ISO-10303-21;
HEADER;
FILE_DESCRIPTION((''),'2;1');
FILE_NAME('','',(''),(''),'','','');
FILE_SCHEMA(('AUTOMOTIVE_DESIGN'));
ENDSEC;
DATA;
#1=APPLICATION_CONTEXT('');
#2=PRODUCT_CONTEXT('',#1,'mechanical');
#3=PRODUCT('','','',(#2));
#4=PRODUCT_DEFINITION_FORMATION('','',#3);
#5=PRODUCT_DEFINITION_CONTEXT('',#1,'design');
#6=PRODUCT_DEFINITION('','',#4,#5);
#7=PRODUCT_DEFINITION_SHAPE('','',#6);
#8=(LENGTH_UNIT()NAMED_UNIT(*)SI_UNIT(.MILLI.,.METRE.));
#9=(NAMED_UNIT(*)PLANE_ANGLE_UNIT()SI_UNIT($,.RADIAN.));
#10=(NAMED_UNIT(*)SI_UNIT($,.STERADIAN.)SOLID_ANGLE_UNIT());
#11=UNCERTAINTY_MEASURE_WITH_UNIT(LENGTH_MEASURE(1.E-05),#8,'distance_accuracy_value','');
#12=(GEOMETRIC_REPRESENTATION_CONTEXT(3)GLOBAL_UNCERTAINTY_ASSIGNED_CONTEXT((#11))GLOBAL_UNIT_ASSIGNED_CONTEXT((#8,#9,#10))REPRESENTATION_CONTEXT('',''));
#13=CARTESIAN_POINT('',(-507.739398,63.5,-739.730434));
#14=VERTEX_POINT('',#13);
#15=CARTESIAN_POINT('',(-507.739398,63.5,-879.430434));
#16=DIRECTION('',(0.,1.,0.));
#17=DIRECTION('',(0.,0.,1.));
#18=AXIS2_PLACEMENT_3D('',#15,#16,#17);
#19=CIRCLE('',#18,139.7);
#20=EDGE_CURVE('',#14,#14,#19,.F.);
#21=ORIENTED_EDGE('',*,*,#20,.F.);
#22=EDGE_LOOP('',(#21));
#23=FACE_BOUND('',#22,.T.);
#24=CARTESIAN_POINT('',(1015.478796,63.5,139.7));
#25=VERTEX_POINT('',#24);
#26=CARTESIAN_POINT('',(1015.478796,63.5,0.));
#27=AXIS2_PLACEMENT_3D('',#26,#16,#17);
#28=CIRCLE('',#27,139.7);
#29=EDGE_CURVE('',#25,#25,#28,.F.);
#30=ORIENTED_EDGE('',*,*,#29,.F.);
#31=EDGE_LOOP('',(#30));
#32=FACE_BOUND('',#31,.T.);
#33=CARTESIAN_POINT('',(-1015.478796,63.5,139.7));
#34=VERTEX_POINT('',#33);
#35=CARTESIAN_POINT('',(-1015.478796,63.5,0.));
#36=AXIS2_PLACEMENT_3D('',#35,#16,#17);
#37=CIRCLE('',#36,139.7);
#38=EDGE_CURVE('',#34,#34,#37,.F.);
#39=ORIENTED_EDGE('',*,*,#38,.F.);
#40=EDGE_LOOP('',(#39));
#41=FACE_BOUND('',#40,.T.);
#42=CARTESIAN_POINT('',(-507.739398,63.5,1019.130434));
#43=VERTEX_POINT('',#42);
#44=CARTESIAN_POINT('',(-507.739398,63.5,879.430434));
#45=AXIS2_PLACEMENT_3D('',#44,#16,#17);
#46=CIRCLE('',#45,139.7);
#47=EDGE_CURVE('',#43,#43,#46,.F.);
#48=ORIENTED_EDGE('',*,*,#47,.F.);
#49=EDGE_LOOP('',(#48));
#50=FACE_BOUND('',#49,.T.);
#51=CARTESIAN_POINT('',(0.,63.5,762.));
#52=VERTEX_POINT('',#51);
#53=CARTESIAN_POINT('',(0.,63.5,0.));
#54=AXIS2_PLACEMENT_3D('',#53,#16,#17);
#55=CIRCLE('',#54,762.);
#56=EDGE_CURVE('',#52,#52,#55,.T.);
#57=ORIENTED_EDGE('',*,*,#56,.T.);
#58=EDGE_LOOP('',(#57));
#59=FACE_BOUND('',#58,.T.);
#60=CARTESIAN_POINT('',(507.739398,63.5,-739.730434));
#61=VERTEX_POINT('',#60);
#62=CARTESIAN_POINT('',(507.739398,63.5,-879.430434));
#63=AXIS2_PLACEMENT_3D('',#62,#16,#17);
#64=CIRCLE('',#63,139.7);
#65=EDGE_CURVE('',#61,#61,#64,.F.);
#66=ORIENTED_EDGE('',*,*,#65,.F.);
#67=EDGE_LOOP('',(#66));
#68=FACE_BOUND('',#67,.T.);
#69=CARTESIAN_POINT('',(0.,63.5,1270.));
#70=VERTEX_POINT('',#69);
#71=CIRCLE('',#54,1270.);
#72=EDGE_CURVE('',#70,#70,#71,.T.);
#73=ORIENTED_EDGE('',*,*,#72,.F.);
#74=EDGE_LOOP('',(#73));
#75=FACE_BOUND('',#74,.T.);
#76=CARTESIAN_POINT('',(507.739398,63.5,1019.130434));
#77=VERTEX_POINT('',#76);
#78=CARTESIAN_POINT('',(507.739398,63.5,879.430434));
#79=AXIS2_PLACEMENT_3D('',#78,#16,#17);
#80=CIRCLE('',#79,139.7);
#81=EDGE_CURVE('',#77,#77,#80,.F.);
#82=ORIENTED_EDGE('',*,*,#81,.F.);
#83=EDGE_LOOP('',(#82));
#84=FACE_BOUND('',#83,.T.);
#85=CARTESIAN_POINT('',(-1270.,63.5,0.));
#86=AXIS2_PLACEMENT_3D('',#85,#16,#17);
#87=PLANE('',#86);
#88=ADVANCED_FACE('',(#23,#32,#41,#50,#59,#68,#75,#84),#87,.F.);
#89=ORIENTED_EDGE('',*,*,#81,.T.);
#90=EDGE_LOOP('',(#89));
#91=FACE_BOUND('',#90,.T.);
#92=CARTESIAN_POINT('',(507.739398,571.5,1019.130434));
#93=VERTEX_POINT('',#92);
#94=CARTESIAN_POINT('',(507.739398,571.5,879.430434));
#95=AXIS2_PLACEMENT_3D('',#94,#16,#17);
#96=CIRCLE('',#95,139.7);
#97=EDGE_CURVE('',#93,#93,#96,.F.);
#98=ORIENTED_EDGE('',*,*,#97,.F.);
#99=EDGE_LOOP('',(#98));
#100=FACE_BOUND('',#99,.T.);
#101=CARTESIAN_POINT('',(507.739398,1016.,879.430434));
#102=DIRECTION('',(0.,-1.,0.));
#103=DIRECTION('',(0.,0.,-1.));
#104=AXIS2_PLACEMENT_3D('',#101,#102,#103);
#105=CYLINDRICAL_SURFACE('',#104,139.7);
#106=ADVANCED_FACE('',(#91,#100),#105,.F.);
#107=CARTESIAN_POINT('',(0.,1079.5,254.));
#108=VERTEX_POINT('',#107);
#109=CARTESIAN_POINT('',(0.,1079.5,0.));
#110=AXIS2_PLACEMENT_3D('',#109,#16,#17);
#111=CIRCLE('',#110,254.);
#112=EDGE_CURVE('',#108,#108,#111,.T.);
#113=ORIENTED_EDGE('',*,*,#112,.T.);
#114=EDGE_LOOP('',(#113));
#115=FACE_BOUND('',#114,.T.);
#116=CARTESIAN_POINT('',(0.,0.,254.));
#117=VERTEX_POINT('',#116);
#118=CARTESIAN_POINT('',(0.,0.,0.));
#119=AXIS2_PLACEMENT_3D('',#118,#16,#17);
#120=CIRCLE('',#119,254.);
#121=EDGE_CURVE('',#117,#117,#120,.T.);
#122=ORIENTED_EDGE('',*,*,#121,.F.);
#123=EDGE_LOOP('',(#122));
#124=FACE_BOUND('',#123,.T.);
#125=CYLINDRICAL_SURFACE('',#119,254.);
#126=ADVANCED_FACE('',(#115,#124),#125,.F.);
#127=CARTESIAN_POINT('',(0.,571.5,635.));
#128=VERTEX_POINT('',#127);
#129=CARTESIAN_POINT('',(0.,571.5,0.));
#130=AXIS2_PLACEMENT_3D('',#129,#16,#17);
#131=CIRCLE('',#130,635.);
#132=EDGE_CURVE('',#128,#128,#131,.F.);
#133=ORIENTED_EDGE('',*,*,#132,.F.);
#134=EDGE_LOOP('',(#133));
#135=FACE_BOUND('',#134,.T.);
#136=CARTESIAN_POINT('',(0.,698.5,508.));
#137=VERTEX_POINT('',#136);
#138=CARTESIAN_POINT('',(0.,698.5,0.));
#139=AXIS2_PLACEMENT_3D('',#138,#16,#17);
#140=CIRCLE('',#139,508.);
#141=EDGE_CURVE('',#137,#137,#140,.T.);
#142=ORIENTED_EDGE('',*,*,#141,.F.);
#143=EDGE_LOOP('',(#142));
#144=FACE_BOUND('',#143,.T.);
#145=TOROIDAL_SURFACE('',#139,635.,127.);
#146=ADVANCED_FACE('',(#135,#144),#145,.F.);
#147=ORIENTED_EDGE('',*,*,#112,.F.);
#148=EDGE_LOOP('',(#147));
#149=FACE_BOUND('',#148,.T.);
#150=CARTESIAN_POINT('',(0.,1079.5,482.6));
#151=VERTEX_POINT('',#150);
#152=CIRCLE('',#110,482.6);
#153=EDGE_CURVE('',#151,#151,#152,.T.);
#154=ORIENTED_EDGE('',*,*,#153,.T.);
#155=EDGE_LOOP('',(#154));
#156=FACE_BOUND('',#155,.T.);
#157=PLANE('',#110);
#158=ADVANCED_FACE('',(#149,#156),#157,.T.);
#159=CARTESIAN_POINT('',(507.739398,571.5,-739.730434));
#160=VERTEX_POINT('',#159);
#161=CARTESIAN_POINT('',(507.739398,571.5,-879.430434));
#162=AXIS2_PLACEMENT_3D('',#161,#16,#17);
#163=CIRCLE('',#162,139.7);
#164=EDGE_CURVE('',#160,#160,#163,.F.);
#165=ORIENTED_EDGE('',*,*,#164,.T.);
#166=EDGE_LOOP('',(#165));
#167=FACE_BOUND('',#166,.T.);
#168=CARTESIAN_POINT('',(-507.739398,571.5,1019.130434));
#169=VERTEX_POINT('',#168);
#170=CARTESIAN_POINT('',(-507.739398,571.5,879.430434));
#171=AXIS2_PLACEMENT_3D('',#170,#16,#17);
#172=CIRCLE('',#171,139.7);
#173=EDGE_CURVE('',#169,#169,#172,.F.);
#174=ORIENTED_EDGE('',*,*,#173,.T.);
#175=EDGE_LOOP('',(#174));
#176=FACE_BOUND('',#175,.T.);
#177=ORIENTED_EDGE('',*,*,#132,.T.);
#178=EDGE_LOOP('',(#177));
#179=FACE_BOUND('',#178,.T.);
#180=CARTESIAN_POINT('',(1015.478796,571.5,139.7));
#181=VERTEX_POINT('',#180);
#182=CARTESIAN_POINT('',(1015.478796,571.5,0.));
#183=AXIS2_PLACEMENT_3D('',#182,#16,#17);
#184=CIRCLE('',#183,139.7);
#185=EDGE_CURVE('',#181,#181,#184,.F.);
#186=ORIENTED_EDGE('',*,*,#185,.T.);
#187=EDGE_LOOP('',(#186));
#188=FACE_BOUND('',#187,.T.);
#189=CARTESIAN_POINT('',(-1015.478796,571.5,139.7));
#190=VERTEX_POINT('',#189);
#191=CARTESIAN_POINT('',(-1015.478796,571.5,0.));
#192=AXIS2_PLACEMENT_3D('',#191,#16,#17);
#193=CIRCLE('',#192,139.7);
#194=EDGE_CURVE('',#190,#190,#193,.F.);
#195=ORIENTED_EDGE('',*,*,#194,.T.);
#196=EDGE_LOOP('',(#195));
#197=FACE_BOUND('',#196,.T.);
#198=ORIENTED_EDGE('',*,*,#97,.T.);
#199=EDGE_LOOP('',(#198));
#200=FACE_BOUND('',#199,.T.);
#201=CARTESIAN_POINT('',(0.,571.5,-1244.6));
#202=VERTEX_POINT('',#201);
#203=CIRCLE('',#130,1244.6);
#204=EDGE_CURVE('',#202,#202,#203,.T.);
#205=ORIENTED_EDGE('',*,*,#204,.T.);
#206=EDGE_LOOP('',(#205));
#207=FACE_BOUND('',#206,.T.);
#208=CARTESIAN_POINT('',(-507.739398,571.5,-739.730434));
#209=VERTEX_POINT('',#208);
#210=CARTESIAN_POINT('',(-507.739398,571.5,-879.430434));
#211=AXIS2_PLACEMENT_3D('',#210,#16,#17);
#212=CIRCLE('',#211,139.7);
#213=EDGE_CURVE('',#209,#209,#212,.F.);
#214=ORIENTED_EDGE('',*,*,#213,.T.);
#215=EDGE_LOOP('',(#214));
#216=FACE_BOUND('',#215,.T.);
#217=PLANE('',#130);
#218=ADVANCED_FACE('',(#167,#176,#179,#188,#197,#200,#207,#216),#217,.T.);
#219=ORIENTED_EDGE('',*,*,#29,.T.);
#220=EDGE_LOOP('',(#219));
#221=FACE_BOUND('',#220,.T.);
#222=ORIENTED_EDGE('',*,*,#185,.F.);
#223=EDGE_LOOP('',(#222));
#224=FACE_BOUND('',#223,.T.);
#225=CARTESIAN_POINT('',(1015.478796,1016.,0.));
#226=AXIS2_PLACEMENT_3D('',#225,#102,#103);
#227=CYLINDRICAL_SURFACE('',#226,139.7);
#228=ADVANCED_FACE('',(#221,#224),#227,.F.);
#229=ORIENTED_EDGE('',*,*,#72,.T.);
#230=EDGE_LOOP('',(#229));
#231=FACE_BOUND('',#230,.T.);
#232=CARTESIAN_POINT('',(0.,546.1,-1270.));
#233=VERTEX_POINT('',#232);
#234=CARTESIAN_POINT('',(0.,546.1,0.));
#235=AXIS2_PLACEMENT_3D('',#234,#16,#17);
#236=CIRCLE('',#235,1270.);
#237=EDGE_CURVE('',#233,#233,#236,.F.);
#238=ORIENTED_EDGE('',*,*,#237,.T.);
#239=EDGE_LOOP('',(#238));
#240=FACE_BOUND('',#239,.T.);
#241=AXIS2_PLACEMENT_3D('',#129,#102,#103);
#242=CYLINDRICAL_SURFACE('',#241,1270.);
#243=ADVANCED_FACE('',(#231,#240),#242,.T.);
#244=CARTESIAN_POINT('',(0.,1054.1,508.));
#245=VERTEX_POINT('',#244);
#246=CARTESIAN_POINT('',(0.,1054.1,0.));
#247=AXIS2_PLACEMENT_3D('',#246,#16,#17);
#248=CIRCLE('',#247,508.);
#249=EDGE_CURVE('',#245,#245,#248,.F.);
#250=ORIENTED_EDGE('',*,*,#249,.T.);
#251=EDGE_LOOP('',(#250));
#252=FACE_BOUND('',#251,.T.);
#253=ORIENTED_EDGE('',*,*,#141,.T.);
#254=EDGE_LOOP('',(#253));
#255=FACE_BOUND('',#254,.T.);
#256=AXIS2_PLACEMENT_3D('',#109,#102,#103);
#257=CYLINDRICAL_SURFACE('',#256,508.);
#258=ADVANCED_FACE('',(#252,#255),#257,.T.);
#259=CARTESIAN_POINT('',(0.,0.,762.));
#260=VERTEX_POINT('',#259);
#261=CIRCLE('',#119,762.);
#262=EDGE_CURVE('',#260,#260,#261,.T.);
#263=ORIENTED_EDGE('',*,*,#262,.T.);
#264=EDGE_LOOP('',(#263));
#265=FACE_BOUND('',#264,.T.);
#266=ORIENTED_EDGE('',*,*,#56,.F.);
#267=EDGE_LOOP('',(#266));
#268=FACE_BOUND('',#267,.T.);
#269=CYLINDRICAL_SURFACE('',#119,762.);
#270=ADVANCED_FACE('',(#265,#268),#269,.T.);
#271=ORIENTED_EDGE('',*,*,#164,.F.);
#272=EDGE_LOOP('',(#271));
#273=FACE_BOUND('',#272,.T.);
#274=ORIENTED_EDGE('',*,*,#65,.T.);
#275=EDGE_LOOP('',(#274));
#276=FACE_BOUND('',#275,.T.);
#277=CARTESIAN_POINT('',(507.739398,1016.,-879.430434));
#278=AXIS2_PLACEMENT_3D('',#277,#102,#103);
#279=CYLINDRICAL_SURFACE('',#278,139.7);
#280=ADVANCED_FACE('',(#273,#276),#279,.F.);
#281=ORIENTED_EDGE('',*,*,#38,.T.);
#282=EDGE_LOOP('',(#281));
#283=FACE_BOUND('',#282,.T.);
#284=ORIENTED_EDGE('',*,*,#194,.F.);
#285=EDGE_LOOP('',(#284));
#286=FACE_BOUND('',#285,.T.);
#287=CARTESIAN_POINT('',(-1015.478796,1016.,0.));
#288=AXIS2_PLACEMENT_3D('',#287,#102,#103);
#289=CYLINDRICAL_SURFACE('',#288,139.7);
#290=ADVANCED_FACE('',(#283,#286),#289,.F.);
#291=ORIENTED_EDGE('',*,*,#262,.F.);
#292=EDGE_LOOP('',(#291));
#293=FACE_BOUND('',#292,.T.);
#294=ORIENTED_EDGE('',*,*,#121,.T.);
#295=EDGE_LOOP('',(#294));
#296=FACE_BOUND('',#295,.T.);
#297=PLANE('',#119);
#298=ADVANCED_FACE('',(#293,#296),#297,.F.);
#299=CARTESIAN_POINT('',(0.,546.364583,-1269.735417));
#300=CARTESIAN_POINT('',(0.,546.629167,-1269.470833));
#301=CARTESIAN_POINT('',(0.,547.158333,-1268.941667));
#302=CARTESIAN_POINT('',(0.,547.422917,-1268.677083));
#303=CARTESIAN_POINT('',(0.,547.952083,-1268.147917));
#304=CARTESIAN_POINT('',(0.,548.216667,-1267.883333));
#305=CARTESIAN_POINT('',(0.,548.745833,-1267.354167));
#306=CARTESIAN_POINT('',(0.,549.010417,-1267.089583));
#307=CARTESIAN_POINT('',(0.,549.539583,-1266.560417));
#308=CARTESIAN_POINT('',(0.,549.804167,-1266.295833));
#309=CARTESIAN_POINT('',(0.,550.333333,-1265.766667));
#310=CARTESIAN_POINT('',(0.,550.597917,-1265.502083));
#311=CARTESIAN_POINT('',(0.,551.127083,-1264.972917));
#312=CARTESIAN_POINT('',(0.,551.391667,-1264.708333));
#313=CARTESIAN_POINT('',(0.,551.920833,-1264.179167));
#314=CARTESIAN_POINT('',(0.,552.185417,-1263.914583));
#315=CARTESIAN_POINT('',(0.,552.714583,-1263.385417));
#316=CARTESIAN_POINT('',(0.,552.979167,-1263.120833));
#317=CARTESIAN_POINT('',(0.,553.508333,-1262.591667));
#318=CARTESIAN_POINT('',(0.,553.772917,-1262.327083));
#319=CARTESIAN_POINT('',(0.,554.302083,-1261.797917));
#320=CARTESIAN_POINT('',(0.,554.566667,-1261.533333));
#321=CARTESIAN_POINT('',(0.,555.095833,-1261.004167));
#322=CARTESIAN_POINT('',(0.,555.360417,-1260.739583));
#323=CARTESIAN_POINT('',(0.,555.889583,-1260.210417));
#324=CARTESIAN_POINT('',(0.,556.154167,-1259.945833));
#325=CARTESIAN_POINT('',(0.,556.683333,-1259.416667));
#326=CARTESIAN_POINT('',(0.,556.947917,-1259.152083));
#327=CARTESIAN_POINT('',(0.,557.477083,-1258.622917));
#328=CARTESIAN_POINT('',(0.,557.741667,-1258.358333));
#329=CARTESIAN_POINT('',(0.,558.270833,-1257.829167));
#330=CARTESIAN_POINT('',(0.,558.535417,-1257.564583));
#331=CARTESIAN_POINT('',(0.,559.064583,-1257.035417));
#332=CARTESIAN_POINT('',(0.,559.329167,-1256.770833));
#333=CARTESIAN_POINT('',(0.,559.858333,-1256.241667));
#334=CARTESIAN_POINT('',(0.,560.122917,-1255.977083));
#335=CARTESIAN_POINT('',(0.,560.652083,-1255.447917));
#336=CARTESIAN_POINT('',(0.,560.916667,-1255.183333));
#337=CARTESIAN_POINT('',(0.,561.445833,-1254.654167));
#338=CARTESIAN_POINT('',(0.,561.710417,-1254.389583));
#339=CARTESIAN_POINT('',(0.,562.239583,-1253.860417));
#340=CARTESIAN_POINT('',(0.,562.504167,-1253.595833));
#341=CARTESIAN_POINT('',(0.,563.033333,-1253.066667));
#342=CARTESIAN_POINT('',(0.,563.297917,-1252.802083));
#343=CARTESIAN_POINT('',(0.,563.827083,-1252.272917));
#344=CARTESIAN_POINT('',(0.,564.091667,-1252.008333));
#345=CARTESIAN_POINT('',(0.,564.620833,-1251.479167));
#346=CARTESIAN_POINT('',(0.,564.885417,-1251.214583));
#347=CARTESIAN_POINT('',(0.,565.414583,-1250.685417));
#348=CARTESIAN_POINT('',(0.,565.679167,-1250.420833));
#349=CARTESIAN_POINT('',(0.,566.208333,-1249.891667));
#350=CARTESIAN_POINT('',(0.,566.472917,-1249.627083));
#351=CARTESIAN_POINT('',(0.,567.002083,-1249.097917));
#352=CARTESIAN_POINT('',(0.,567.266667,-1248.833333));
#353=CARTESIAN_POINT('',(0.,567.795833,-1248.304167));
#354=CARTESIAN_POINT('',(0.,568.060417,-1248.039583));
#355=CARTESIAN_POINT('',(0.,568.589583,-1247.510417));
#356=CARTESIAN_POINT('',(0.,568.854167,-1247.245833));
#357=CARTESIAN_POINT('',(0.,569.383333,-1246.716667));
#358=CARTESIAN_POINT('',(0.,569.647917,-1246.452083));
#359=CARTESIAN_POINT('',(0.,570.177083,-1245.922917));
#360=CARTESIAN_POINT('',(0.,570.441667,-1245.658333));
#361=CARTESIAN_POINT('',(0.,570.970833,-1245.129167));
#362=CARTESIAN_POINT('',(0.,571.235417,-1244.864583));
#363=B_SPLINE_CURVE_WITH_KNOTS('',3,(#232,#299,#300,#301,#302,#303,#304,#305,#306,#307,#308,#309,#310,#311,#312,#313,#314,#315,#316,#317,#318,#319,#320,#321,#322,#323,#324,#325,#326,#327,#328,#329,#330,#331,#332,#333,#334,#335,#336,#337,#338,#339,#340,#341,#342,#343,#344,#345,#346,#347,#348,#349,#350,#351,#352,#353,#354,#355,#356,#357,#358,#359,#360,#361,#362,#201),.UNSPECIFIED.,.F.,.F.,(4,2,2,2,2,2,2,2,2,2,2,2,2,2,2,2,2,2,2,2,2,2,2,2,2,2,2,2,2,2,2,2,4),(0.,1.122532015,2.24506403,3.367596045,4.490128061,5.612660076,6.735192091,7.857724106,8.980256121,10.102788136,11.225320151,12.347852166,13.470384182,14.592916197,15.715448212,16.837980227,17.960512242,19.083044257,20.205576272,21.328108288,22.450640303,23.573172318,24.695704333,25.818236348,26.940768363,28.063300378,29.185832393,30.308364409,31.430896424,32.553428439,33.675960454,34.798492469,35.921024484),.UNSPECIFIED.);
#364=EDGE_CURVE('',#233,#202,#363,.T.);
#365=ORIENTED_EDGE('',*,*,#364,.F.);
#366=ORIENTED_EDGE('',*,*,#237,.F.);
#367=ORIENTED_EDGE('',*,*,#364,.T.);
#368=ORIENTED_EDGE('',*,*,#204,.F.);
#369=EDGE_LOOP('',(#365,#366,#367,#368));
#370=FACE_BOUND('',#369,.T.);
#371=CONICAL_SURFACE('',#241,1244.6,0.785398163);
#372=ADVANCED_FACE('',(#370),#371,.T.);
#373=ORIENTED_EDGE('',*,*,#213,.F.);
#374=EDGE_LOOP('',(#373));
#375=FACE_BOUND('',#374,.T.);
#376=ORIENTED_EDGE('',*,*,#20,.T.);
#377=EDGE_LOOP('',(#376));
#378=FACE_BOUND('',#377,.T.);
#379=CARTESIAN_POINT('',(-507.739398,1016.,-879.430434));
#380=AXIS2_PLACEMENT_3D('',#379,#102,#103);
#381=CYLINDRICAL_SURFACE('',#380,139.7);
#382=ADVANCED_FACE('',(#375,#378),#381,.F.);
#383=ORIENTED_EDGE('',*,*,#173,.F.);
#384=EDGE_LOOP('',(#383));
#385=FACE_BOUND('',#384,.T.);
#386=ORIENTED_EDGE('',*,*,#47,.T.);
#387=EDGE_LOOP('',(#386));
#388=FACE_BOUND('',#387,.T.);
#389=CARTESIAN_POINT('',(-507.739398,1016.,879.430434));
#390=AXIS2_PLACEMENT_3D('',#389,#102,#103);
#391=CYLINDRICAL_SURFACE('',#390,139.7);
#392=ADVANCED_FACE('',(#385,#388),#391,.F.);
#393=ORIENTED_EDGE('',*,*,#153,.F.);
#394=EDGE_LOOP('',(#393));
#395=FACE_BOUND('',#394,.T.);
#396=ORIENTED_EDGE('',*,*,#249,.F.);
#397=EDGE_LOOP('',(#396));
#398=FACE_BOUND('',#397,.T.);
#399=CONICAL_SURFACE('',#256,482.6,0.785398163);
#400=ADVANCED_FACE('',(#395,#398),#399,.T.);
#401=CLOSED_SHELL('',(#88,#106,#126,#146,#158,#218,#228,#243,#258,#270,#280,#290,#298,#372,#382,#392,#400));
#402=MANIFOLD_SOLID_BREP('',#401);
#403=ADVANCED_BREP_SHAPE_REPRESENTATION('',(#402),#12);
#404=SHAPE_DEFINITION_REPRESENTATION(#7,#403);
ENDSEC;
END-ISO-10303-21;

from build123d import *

# Parameters (mm, degrees)
SKETCH_2_R               = 1270
EXTRUDE_1_DEPTH          = 571.5
SKETCH_3_W               = 508
SKETCH_3_H               = 63.5
CHAMFER_2_SIZE           = 25.4
SKETCH_4_R               = 139.7
CUT_EXTRUDE_1_DEPTH      = 1016
EXTRUDE_START            = -2.54
SKETCH_5_R               = 508
EXTRUDE_2_DEPTH          = 508
FILLET_10_R              = 127
CHAMFER_3_SIZE           = 25.4
CUT_EXTRUDE_2_DEPTH      = 1886.556130589
CUT_EXTRUDE_2_DEPTH_BACK = 1886.556130589
SKETCH_6_R               = 254


with BuildPart() as part:
    # 草图2 → 凸台-拉伸1 (new body)
    with BuildSketch(Plane(origin=(0, 0, 0), x_dir=(1, 0, 0), z_dir=(0, 1, 0))):
        with Locations(Location((0, 0, 0), (0, 0, 270))):
            Circle(SKETCH_2_R)
    extrude(amount=EXTRUDE_1_DEPTH)

    # 草图3 → 切除-旋转1 (revolve, cut)
    with BuildSketch(Plane.XY, mode=Mode.PRIVATE) as cut_revolve_1_sk:
        with Locations((-1016, 31.75)):
            Rectangle(SKETCH_3_W, SKETCH_3_H)
    revolve(cut_revolve_1_sk.sketch.rotate(Axis((0, 0, 0), (0, -1, 0)), 270), axis=Axis((0, 0, 0), (0, -1, 0)), mode=Mode.SUBTRACT)

    # 倒角2
    chamfer_2_edges = [part.edges().sort_by_distance(p)[0] for p in [
        (0, 571.5, -1270),
    ]]
    chamfer(chamfer_2_edges, length=CHAMFER_2_SIZE)

    # 草图4 → 切除-拉伸1 (cut)
    with BuildSketch(Plane(origin=(0, 0, 0), x_dir=(1, 0, 0), z_dir=(0, 1, 0))):
        with Locations(Location((-507.739397927, 879.430434215, 0), (0, 0, 270))):
            Circle(SKETCH_4_R)
        with Locations(Location((507.739397927, 879.430434215, 0), (0, 0, 270))):
            Circle(SKETCH_4_R)
        with Locations(Location((1015.478795855, 0, 0), (0, 0, 270))):
            Circle(SKETCH_4_R)
        with Locations(Location((507.739397928, -879.430434215, 0), (0, 0, 270))):
            Circle(SKETCH_4_R)
        with Locations(Location((-507.739397927, -879.430434215, 0), (0, 0, 270))):
            Circle(SKETCH_4_R)
        with Locations(Location((-1015.478795855, 0, 0), (0, 0, 270))):
            Circle(SKETCH_4_R)
    extrude(amount=CUT_EXTRUDE_1_DEPTH, mode=Mode.SUBTRACT)

    # 草图5 → 凸台-拉伸2 (add)
    with BuildSketch(Plane(origin=(0, 574.04, 0), x_dir=(1, 0, 0), z_dir=(0, 1, 0)).offset(EXTRUDE_START)):
        with Locations(Location((0, 0, 0), (0, 0, 270))):
            Circle(SKETCH_5_R)
    extrude(amount=EXTRUDE_2_DEPTH)

    # 圆角10
    fillet_10_edges = [part.edges().sort_by_distance(p)[0] for p in [
        (0, 571.5, -508),
    ]]
    fillet(fillet_10_edges, radius=FILLET_10_R)

    # 倒角3
    chamfer_3_edges = [part.edges().sort_by_distance(p)[0] for p in [
        (0, 1079.5, -508),
    ]]
    chamfer(chamfer_3_edges, length=CHAMFER_3_SIZE)

    # 草图6 → 切除-拉伸2 (cut, two sides: drawn at the far end of the back side and taken through both)
    with BuildSketch(Plane(origin=(0, 574.04, 0), x_dir=(1, 0, 0), z_dir=(0, 1, 0)).offset(-CUT_EXTRUDE_2_DEPTH_BACK)):
        with Locations(Location((0, 0, 0), (0, 0, 270))):
            Circle(SKETCH_6_R)
    extrude(amount=CUT_EXTRUDE_2_DEPTH + CUT_EXTRUDE_2_DEPTH_BACK, mode=Mode.SUBTRACT)


solid = part.part
